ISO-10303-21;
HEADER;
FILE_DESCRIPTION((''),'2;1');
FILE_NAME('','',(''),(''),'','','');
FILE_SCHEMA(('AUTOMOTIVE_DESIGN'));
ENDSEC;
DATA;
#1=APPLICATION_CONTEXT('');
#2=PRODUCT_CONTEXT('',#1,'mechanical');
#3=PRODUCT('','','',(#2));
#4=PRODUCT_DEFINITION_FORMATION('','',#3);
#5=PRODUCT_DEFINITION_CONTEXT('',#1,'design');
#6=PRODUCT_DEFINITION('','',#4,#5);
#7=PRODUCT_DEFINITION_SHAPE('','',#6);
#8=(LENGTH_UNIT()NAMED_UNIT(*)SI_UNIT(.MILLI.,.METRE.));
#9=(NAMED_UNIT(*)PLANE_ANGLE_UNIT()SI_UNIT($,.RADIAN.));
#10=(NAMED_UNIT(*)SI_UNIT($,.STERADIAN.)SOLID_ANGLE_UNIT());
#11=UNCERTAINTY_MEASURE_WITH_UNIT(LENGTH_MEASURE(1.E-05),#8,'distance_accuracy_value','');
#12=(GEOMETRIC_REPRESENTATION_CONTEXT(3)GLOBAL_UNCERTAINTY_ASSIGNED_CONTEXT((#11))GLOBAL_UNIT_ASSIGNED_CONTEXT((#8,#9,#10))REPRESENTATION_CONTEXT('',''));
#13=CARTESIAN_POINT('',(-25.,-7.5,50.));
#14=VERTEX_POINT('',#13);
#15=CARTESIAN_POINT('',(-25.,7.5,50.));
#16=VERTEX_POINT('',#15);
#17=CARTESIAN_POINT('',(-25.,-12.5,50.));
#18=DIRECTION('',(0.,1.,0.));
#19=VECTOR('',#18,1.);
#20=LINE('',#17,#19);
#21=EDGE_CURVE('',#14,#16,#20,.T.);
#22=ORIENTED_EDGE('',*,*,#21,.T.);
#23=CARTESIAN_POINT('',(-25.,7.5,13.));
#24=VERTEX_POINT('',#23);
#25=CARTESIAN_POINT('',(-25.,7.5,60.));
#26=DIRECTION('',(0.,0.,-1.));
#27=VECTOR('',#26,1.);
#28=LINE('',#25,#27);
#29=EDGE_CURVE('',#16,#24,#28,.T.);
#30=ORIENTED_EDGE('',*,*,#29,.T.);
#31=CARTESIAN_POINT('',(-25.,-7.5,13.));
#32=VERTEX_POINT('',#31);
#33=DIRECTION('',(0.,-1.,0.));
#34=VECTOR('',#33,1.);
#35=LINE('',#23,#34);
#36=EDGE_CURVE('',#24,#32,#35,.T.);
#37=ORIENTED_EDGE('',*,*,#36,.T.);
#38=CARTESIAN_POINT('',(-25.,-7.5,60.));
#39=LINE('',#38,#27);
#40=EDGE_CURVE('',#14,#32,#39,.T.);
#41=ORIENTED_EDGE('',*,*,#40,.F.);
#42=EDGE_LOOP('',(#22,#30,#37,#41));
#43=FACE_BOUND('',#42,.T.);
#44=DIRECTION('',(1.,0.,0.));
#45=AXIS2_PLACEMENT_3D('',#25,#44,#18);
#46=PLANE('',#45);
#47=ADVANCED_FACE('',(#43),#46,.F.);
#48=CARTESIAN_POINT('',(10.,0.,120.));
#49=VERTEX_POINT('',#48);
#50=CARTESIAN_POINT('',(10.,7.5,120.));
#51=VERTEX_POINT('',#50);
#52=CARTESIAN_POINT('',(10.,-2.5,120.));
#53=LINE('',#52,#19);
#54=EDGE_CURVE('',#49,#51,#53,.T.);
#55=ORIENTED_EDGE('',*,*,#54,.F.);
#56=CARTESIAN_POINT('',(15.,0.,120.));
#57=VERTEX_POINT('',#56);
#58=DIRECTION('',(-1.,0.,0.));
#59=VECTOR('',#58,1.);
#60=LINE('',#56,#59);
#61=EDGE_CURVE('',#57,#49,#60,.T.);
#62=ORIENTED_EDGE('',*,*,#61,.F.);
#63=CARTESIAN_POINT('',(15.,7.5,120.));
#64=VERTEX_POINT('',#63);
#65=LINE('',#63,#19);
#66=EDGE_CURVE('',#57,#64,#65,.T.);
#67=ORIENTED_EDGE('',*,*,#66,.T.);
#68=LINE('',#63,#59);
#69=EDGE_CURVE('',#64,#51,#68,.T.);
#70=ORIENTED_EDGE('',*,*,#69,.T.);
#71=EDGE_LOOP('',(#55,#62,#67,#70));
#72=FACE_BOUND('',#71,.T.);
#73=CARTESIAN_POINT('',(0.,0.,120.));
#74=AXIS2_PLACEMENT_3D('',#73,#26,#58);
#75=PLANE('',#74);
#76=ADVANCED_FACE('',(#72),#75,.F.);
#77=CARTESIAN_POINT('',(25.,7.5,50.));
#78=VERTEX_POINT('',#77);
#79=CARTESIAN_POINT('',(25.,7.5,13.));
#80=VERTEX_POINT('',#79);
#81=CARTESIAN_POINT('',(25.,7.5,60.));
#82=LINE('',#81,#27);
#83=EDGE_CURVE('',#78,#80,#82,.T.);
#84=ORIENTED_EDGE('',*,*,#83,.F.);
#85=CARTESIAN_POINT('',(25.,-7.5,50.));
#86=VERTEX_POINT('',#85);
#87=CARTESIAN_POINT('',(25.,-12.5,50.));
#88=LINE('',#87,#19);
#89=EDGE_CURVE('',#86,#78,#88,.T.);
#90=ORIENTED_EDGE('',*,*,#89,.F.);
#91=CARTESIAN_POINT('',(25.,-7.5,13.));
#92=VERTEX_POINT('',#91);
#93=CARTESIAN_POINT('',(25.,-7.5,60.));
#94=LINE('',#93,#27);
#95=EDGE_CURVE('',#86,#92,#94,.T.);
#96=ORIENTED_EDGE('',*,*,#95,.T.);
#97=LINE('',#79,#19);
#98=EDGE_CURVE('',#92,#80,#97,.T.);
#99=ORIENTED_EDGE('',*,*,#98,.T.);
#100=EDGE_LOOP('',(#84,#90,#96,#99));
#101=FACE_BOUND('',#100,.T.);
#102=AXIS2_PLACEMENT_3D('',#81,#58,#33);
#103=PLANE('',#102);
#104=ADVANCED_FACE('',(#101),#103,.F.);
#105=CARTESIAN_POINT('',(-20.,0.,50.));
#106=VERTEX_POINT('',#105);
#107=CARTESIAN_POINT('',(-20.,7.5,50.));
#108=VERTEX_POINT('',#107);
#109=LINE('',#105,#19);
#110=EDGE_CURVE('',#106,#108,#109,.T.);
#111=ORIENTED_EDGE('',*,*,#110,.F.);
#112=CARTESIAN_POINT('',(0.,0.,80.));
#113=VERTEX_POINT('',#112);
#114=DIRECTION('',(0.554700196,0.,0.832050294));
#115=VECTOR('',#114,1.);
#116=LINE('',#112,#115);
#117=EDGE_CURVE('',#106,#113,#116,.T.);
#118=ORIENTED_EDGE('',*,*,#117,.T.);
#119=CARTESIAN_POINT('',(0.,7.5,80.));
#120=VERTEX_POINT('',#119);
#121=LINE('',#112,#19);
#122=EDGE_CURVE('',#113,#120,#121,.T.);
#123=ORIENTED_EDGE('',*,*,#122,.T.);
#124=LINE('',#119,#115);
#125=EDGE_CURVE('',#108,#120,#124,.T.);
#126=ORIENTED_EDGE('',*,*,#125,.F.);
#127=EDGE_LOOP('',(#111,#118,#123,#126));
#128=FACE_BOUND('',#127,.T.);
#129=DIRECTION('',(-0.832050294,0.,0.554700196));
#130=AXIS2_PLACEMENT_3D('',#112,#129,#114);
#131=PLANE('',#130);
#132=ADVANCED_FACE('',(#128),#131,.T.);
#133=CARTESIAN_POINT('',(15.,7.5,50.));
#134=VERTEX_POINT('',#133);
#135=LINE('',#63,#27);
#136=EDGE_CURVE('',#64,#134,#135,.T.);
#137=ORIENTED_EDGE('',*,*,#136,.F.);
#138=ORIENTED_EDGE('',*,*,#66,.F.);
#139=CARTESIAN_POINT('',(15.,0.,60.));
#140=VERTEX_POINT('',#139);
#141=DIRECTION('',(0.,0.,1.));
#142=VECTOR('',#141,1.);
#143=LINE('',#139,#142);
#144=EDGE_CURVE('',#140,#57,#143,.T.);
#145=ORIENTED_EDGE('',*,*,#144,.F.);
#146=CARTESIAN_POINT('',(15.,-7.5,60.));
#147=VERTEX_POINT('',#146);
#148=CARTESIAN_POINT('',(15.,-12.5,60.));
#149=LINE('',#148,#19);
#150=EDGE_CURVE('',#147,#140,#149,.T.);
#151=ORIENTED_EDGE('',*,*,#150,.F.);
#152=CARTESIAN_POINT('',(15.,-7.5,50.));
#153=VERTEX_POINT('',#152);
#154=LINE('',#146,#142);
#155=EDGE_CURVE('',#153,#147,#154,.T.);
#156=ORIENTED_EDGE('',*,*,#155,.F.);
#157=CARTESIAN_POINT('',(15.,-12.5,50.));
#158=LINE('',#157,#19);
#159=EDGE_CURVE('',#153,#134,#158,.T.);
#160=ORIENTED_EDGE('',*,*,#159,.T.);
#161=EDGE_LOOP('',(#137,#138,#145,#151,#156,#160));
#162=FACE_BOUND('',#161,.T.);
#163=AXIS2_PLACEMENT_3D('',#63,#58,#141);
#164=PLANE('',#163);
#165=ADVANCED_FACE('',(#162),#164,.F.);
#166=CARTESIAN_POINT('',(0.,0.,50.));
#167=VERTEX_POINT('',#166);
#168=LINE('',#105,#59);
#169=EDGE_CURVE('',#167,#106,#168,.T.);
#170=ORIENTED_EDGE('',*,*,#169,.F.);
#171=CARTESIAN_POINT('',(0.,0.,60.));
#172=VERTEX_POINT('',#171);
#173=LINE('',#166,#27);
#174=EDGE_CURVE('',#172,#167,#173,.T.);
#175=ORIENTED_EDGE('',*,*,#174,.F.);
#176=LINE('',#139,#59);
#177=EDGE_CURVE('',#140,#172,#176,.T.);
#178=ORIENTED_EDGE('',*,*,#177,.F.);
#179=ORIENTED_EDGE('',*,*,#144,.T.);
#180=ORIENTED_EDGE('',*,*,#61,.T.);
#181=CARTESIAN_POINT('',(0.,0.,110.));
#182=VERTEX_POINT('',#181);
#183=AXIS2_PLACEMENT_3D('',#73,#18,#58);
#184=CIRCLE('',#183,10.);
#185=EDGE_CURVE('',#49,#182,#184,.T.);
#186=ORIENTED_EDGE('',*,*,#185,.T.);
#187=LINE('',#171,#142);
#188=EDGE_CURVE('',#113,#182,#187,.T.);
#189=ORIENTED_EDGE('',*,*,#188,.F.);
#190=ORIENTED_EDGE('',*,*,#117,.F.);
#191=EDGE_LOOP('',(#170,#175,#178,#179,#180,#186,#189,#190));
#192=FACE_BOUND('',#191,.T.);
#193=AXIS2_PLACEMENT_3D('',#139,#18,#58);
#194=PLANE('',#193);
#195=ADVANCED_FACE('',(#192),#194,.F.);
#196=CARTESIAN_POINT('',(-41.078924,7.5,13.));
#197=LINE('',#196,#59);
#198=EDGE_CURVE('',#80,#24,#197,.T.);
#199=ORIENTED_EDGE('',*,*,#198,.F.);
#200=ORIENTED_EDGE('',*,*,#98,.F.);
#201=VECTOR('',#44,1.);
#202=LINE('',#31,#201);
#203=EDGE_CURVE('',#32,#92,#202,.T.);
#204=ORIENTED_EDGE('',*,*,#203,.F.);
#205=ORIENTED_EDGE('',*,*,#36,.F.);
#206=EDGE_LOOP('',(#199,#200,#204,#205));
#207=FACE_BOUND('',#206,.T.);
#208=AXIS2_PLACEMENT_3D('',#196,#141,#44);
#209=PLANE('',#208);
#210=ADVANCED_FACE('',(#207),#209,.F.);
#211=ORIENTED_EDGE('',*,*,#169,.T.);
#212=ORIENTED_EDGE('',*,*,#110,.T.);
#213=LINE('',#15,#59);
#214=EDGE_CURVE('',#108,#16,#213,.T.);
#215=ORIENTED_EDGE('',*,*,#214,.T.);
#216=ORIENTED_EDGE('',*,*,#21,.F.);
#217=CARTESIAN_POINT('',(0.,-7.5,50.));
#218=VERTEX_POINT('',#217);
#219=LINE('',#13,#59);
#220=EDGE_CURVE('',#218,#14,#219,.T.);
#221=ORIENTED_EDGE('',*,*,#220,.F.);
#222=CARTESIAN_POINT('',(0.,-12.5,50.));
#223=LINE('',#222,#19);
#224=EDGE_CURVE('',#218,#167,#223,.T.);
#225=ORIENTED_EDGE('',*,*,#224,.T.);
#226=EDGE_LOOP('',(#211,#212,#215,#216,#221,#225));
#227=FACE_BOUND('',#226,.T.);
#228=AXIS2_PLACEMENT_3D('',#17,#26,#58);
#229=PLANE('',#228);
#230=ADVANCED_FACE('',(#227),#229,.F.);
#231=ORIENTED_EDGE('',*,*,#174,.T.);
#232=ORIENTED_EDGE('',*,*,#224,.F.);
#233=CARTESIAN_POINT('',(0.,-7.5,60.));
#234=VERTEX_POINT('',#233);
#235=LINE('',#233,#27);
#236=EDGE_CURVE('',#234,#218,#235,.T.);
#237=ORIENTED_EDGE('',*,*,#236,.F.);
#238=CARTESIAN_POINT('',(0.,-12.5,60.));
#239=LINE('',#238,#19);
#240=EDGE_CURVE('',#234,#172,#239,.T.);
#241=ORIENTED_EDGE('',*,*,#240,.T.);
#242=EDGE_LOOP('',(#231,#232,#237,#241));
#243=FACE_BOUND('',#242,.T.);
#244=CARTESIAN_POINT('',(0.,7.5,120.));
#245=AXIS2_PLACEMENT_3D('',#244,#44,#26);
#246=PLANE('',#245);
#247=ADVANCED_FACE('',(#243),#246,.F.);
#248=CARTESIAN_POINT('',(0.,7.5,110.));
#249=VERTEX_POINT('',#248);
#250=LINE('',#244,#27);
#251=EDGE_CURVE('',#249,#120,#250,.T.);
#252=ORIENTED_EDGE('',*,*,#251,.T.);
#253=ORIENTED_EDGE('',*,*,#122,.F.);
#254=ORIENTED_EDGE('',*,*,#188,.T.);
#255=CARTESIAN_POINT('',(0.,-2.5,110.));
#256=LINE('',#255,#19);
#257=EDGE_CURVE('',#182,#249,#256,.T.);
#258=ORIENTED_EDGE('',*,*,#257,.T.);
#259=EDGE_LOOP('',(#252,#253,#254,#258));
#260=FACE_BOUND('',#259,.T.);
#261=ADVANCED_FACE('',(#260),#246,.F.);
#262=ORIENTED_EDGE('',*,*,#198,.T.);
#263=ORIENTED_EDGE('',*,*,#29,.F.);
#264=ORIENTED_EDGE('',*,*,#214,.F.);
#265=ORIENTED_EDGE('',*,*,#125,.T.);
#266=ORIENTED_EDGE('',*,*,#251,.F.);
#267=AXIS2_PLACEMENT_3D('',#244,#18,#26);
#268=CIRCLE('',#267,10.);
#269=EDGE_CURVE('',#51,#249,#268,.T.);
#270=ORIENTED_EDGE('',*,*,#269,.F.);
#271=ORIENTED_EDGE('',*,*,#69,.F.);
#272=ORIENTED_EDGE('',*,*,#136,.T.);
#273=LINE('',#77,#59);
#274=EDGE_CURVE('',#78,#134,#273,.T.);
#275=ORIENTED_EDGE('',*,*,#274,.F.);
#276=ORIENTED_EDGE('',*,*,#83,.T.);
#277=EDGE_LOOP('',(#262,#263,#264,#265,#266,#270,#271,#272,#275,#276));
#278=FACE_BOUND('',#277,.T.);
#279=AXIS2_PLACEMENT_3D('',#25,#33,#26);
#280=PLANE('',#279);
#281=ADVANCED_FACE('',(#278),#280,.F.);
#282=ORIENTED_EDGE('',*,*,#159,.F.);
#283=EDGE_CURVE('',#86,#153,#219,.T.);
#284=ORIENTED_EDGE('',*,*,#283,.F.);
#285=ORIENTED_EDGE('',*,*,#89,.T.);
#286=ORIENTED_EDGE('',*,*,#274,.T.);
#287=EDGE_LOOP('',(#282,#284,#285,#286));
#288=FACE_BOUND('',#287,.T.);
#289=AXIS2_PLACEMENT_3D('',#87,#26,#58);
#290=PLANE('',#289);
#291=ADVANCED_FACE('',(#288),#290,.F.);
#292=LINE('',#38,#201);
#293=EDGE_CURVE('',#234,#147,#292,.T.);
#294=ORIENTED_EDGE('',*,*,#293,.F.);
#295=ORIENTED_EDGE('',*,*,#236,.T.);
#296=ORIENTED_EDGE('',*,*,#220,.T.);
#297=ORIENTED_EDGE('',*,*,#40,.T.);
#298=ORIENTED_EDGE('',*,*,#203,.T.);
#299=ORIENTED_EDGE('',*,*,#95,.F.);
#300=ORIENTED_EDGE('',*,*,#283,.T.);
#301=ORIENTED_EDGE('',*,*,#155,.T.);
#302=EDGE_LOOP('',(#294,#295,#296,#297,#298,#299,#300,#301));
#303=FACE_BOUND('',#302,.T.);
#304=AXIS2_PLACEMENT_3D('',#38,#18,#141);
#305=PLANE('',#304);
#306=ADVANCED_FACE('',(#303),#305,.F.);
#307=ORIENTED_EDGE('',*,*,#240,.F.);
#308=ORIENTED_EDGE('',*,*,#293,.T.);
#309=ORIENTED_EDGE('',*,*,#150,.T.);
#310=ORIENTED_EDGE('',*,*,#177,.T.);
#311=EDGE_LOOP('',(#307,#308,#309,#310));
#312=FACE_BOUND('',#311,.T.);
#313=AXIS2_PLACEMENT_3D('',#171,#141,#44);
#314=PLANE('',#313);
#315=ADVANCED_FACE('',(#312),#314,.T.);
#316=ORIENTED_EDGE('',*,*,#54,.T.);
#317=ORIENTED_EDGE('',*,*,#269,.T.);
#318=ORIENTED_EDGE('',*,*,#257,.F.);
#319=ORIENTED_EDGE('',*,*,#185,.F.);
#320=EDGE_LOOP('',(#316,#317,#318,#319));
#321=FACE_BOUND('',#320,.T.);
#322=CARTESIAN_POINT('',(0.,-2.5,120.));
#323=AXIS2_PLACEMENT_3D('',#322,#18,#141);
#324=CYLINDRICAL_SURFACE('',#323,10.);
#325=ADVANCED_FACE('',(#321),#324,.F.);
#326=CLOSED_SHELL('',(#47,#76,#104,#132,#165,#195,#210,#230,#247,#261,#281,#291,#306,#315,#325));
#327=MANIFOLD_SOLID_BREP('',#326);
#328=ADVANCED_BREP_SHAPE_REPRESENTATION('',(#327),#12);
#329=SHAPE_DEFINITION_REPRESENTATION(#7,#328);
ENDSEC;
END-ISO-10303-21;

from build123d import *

# Parameters (mm, degrees)
SKETCH_1_W               = 50
SKETCH_1_H               = 15
EXTRUDE_1_DEPTH          = 60
SKETCH_2_W               = 15
SKETCH_2_H               = 15
EXTRUDE_2_DEPTH          = 60
SKETCH_3_W               = 15
SKETCH_3_H               = 7.5
CUT_EXTRUDE_1_DEPTH      = 60
CUT_EXTRUDE_2_DEPTH      = 10
SKETCH_6_W               = 10
SKETCH_6_H               = 10
SKETCH_6_W_2             = 25
CUT_EXTRUDE_3_DEPTH      = 20
EXTRUDE_3_DEPTH          = 7.5
CUT_EXTRUDE_4_DEPTH      = 124.490890352
CUT_EXTRUDE_4_DEPTH_BACK = 124.490890352
SKETCH_7_W               = 82.157848782
SKETCH_7_H               = 26


with BuildPart() as part:
    # 스케치1 → 보스-돌출1 (new body)
    with BuildSketch(Plane.XY):
        Rectangle(SKETCH_1_W, SKETCH_1_H)
    extrude(amount=EXTRUDE_1_DEPTH)

    # 스케치2 → 보스-돌출2 (add)
    with BuildSketch(Plane.XY.offset(60)):
        with Locations((7.5, 0)):
            Rectangle(SKETCH_2_W, SKETCH_2_H)
    extrude(amount=EXTRUDE_2_DEPTH)

    # 스케치3 → 컷-돌출1 (cut)
    with BuildSketch(Plane.XY.offset(120)):
        with Locations((7.5, -3.75)):
            Rectangle(SKETCH_3_W, SKETCH_3_H)
    extrude(amount=-CUT_EXTRUDE_1_DEPTH, mode=Mode.SUBTRACT)

    # 스케치4 → 컷-돌출2 (cut)
    with BuildSketch(Plane(origin=(0, 7.5, 0), x_dir=(1, 0, 0), z_dir=(0, 1, 0))):
        with BuildLine():
            Line((0, -110), (0, -120))
            Line((0, -120), (10, -120))
            ThreePointArc((10, -120), (7.071067812, -112.928932188), (0, -110))
        make_face()
    extrude(amount=-CUT_EXTRUDE_2_DEPTH, mode=Mode.SUBTRACT)

    # 스케치6 → 컷-돌출3 (cut)
    with BuildSketch(Plane(origin=(0, 7.5, 0), x_dir=(1, 0, 0), z_dir=(0, 1, 0))):
        with Locations((20, -55)):
            Rectangle(SKETCH_6_W, SKETCH_6_H)
        with Locations((-12.5, -55)):
            Rectangle(SKETCH_6_W_2, SKETCH_6_H)
    extrude(amount=-CUT_EXTRUDE_3_DEPTH, mode=Mode.SUBTRACT)

    # 스케치5 → 보스-돌출3 (add)
    with BuildSketch(Plane(origin=(0, 7.5, 0), x_dir=(1, 0, 0), z_dir=(0, 1, 0))):
        Polygon((0, -50), (0, -80), (-20, -50), align=None)
    extrude(amount=-EXTRUDE_3_DEPTH)

    # 스케치7 → 컷-돌출4 (cut, two sides: drawn at the far end of the back side and taken through both)
    with BuildSketch(Plane.XZ.offset(7.5).offset(-CUT_EXTRUDE_4_DEPTH_BACK)):
        Rectangle(SKETCH_7_W, SKETCH_7_H)
    extrude(amount=CUT_EXTRUDE_4_DEPTH + CUT_EXTRUDE_4_DEPTH_BACK, mode=Mode.SUBTRACT)


solid = part.part
